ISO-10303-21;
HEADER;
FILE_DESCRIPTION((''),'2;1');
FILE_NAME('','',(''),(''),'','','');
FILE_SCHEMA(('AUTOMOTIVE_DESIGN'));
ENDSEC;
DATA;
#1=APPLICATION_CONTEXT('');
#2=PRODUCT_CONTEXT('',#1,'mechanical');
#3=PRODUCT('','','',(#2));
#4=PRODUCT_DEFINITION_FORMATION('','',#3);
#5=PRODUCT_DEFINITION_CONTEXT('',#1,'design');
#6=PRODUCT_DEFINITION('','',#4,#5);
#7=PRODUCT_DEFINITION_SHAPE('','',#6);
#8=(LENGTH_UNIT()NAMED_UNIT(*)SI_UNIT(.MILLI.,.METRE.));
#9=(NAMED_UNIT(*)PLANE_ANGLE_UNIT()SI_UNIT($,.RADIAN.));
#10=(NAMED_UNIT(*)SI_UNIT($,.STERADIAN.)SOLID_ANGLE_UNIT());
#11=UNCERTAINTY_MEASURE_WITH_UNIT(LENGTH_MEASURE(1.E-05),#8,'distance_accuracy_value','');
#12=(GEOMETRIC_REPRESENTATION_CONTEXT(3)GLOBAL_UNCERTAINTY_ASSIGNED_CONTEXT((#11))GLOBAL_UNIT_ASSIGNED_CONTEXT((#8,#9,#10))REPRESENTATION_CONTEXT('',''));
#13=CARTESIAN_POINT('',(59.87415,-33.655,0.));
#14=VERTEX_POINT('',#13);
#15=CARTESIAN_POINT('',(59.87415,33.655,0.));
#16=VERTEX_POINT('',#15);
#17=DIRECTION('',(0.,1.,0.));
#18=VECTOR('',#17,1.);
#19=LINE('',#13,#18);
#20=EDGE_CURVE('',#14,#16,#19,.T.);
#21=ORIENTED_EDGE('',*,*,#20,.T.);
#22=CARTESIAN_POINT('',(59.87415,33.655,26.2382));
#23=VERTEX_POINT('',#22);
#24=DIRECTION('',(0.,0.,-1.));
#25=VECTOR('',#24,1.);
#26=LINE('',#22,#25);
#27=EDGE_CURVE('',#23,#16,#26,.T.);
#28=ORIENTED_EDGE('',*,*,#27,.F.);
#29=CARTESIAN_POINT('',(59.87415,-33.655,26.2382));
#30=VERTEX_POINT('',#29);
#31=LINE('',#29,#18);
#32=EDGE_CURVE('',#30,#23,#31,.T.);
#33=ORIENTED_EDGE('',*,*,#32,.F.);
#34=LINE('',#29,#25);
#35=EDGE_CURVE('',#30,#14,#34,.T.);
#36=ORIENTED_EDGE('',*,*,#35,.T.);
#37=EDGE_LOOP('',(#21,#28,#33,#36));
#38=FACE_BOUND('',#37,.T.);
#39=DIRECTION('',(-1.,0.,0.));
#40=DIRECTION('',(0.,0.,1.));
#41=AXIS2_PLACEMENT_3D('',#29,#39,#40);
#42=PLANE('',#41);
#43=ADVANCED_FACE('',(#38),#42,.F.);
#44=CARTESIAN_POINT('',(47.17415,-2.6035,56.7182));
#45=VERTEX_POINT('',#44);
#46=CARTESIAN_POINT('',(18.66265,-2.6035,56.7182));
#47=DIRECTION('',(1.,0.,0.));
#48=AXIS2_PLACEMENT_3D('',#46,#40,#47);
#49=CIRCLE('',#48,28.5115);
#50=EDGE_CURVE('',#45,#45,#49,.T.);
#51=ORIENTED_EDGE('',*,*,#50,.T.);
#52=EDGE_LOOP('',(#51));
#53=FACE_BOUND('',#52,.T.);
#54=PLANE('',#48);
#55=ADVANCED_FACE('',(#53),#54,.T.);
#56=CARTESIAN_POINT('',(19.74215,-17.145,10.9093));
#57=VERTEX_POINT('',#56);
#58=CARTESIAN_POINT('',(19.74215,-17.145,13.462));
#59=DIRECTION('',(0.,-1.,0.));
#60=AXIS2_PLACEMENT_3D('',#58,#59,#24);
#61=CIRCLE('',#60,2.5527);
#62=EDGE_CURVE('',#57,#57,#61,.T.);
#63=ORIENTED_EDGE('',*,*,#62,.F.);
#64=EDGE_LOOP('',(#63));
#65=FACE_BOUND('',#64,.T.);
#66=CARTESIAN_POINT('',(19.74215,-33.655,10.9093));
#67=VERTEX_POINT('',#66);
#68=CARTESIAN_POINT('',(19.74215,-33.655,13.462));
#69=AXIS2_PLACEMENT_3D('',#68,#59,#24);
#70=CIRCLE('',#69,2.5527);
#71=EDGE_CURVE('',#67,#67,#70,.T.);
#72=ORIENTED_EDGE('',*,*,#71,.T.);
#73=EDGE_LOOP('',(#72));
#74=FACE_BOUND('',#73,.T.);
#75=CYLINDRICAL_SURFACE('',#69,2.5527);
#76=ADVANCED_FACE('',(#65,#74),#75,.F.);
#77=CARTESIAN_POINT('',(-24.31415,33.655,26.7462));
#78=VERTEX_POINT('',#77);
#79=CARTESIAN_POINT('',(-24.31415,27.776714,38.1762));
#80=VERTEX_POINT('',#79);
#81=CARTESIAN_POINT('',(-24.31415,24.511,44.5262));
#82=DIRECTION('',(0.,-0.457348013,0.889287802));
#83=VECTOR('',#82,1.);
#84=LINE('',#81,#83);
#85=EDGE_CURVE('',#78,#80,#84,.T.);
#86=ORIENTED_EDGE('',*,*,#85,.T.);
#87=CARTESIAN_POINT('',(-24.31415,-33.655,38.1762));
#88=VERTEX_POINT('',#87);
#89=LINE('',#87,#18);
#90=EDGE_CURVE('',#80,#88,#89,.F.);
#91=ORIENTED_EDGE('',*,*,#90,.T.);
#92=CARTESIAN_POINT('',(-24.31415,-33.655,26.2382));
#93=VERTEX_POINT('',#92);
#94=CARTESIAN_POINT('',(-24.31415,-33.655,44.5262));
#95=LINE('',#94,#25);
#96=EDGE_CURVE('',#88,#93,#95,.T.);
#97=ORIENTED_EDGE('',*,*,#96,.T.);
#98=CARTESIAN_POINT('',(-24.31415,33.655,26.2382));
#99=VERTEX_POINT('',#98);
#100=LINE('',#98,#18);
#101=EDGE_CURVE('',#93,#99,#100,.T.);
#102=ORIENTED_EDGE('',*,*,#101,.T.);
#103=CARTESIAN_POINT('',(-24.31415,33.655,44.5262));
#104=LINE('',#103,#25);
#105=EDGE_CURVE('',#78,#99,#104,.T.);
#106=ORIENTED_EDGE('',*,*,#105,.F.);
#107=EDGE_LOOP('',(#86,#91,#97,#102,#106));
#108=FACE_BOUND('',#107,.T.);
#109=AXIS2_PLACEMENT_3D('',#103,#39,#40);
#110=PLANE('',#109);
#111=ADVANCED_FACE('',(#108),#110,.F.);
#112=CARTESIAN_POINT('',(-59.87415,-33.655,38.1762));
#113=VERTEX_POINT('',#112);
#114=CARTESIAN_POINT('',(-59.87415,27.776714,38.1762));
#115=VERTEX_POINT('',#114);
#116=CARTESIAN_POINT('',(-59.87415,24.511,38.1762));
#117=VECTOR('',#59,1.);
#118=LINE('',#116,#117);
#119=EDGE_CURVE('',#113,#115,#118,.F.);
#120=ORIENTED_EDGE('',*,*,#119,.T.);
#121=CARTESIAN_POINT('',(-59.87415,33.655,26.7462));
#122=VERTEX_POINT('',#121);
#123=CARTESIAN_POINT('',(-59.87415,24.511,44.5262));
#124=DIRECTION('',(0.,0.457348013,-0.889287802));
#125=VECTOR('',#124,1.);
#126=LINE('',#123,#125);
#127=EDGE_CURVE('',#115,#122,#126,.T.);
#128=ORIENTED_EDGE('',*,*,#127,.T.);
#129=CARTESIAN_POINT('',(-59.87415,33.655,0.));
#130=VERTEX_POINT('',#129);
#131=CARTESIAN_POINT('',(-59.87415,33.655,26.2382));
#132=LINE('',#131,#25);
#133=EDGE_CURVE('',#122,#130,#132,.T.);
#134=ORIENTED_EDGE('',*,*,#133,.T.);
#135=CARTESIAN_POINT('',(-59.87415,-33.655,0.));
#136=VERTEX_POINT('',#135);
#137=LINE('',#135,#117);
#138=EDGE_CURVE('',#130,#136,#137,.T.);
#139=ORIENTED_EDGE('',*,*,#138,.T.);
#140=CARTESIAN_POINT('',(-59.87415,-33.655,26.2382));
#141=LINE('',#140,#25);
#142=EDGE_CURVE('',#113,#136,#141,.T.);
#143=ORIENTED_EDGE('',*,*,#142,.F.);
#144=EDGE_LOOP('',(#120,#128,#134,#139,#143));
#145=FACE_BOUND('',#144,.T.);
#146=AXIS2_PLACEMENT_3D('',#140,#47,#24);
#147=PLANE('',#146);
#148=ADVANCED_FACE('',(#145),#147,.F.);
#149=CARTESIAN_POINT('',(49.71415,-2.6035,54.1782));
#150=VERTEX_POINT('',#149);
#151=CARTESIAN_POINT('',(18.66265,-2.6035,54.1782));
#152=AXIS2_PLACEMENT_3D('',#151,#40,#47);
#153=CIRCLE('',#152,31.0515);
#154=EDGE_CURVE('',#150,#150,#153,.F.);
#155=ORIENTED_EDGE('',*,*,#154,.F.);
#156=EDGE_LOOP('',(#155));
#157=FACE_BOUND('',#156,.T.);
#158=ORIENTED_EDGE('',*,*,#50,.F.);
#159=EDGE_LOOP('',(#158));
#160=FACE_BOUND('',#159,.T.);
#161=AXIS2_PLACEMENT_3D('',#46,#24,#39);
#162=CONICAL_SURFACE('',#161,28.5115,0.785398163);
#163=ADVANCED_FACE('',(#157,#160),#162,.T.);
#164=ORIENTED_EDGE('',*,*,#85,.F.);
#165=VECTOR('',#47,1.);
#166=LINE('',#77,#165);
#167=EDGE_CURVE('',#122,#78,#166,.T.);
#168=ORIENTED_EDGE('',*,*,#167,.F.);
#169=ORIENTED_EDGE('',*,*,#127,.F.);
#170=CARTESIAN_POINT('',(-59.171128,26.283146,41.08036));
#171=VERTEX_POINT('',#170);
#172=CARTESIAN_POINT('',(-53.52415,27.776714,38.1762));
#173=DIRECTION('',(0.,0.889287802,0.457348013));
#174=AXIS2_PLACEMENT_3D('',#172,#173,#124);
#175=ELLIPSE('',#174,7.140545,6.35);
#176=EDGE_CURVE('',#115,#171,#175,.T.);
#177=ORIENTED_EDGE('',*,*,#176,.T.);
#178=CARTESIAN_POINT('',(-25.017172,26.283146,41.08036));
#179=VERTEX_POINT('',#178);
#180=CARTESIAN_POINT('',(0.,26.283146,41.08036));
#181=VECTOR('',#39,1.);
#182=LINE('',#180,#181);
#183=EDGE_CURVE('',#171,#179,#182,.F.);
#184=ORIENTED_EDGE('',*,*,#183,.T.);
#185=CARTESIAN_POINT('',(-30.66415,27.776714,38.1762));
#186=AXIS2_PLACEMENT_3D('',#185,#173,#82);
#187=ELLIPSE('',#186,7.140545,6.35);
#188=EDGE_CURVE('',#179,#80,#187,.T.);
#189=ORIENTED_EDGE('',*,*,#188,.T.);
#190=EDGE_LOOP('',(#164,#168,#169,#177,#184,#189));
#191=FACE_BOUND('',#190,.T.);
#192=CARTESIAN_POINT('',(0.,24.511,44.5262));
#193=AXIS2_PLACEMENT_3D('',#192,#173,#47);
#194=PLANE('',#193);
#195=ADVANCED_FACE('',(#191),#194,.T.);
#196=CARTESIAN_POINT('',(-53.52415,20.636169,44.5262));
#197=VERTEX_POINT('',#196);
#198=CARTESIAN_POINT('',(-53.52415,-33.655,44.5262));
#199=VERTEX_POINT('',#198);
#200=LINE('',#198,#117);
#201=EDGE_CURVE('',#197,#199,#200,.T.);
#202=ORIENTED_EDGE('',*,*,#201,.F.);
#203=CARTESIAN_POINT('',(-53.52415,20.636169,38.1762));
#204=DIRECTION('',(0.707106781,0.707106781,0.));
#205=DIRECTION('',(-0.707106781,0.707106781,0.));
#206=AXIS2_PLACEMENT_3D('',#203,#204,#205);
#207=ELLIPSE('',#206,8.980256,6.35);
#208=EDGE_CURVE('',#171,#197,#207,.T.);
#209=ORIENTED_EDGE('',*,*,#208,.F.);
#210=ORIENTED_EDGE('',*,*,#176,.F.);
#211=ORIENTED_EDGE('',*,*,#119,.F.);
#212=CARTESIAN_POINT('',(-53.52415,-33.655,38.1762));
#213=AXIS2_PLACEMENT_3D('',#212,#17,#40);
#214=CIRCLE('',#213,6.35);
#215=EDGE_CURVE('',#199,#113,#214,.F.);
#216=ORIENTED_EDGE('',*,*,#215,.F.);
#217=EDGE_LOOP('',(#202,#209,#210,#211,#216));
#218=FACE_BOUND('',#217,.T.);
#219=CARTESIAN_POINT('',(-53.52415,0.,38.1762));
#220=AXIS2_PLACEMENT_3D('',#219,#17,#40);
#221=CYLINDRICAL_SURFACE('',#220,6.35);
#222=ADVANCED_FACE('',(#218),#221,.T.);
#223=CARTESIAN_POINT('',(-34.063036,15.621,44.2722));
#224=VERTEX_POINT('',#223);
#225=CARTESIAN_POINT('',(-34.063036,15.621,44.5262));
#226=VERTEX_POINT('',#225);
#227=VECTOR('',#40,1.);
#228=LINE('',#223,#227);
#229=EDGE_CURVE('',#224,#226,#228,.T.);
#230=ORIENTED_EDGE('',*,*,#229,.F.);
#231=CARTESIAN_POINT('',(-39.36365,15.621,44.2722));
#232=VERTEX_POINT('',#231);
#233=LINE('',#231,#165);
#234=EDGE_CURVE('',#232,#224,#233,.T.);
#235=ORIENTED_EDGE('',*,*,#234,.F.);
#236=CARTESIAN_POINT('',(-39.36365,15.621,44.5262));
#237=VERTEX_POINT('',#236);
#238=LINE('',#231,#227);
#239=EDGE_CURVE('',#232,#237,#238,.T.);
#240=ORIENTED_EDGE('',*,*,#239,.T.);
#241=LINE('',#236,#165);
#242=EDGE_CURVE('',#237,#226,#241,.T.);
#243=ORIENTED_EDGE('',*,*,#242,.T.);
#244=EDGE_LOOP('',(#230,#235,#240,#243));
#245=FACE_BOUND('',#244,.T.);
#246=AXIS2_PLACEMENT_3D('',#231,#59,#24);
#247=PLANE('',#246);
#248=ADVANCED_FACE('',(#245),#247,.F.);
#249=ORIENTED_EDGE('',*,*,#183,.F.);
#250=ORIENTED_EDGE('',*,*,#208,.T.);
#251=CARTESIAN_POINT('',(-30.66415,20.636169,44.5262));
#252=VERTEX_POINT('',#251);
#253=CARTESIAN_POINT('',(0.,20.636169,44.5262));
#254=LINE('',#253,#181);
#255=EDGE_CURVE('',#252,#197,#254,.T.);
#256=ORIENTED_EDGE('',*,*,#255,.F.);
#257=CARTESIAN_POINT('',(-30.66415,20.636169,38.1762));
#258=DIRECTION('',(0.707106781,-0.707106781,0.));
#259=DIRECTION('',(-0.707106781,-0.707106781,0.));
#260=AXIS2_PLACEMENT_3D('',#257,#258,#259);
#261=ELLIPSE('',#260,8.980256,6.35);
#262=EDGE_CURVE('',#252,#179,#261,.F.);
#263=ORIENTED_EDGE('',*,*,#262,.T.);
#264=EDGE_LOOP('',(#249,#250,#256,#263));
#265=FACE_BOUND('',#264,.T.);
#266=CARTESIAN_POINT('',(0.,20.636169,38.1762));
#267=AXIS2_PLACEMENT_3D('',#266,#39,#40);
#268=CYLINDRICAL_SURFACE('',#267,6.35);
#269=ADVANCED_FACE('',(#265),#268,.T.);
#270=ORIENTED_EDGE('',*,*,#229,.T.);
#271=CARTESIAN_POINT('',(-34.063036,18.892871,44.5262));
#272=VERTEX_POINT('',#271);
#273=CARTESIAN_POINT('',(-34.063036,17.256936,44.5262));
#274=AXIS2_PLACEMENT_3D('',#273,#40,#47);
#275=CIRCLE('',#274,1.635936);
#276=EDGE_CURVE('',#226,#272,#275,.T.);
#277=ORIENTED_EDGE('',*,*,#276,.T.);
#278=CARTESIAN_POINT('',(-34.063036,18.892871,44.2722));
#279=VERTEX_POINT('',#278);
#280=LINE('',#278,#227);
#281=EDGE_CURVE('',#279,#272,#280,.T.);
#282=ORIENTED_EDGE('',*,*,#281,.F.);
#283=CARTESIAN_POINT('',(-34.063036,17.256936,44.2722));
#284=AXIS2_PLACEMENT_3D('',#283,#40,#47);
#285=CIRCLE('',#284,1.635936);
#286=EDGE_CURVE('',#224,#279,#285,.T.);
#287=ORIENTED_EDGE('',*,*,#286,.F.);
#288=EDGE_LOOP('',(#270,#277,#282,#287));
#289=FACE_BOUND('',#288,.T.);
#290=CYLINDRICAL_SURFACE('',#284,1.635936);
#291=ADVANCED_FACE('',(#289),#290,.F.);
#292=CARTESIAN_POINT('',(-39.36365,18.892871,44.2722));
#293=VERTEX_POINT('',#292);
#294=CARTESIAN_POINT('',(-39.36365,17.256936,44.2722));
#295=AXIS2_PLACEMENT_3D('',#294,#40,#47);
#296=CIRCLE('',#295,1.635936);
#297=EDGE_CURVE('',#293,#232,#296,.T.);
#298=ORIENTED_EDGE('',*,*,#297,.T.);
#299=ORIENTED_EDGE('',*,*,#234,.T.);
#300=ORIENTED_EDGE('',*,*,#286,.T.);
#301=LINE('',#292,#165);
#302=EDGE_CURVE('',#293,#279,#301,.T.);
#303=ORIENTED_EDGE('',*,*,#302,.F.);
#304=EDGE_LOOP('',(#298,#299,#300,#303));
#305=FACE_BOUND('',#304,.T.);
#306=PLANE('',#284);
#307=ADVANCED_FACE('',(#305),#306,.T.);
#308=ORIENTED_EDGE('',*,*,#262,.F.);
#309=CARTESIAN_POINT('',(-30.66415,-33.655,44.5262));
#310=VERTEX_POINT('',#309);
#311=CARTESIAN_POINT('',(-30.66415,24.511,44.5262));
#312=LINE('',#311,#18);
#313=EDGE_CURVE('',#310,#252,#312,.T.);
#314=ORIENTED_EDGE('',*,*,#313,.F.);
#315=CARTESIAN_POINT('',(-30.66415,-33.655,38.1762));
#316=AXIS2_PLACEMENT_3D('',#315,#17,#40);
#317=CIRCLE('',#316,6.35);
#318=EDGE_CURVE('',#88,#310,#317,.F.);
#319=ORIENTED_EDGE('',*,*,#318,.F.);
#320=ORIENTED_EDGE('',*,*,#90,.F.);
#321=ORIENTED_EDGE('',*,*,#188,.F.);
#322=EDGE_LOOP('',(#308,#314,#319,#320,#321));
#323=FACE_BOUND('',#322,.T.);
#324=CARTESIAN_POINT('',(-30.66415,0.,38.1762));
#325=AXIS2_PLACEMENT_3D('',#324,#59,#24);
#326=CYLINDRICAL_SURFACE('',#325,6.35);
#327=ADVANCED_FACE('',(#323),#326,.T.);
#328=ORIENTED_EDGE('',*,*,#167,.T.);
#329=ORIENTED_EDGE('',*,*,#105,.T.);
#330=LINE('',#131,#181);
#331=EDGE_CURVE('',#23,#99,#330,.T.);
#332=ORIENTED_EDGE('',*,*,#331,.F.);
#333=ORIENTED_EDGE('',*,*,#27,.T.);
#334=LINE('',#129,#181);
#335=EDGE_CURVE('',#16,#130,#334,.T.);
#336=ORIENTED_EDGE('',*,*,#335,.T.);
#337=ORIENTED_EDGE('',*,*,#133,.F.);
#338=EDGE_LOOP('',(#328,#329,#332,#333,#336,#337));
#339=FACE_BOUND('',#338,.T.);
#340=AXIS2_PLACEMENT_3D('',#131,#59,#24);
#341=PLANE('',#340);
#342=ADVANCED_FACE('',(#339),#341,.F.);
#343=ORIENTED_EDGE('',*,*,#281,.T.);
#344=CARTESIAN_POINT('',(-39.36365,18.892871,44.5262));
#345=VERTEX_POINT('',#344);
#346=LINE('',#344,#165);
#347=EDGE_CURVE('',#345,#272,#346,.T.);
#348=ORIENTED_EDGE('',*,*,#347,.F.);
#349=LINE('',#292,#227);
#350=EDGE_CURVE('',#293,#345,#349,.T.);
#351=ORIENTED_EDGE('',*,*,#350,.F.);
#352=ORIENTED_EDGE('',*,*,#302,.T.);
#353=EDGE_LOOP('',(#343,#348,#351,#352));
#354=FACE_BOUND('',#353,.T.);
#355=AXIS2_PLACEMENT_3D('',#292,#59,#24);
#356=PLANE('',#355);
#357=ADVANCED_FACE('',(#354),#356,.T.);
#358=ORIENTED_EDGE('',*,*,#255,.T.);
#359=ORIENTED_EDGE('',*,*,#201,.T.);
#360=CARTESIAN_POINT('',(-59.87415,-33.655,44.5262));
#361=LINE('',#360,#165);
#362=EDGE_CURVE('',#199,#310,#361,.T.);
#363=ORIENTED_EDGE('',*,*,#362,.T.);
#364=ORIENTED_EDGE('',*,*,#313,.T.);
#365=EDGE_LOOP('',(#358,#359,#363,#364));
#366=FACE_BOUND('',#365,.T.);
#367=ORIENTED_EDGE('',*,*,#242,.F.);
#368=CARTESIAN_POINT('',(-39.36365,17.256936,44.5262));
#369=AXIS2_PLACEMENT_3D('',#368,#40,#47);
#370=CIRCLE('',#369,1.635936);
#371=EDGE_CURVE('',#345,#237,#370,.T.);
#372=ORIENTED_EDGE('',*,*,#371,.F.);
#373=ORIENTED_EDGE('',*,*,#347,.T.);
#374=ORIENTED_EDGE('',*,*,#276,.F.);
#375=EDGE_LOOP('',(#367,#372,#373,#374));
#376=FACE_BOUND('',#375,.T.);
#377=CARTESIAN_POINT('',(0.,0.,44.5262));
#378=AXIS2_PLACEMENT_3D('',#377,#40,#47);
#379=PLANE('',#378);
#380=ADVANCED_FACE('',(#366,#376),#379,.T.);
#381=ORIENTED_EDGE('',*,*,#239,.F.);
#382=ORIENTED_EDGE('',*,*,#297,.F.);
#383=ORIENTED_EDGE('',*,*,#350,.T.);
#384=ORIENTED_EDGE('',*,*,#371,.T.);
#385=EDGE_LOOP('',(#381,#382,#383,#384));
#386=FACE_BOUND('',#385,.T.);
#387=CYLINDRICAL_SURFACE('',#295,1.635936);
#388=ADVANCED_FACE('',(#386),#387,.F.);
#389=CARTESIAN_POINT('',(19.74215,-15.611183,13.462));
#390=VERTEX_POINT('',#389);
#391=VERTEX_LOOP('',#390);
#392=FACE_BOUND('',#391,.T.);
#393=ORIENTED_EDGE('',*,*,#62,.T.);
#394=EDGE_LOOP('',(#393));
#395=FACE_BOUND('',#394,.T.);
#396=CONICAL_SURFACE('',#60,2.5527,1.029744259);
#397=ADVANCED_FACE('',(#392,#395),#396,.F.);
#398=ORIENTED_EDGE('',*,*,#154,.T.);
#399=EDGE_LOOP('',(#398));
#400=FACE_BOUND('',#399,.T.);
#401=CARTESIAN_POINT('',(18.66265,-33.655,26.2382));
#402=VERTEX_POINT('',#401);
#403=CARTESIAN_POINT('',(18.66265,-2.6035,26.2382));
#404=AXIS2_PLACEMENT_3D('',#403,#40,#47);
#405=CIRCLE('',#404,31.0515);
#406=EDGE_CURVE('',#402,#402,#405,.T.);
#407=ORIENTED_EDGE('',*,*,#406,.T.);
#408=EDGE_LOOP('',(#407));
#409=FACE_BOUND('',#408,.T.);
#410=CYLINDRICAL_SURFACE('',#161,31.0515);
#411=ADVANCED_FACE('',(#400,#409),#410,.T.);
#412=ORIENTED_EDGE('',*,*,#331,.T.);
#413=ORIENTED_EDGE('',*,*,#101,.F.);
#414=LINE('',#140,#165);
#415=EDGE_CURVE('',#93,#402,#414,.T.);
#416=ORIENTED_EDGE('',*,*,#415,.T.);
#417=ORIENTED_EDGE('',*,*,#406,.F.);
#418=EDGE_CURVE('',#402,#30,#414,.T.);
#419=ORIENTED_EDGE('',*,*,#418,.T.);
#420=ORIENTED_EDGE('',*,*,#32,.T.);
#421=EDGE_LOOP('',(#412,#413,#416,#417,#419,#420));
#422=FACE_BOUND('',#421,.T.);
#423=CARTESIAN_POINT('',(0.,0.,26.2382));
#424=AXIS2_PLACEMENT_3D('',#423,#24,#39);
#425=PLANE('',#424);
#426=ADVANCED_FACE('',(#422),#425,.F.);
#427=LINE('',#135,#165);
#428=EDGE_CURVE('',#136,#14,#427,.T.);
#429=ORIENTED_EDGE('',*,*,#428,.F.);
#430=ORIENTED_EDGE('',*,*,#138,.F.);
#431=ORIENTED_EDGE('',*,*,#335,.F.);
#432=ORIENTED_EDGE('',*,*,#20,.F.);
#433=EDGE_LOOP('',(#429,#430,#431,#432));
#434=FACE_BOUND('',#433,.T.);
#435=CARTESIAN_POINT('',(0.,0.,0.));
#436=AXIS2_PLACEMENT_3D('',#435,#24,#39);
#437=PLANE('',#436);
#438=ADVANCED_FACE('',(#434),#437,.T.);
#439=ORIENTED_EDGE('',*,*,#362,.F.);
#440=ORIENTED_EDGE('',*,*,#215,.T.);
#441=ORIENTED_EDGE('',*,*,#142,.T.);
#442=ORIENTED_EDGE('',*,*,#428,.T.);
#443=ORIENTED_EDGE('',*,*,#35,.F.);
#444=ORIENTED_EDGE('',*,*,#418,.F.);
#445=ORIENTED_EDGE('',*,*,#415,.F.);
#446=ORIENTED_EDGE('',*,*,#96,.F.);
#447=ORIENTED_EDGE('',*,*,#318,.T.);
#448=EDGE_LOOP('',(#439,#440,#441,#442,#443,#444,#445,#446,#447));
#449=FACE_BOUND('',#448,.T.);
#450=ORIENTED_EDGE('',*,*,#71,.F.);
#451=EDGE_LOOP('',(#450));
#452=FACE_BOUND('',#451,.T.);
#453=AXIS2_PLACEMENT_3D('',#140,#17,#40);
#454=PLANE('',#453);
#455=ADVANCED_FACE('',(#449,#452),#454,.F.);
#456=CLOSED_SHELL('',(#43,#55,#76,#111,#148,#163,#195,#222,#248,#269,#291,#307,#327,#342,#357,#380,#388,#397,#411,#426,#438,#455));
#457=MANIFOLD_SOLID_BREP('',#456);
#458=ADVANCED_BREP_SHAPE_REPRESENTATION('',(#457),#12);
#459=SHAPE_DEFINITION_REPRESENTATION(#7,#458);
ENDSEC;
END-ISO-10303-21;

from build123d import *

# Parameters (mm, degrees)
SKETCH1_W                   = 119.7483
SKETCH1_H                   = 67.31
BOSS_EXTRUDE1_DEPTH         = 26.2382
SKETCH2_R                   = 31.0515
BOSS_EXTRUDE2_DEPTH         = 30.48
CHAMFER1_SIZE               = 2.54
SKETCH3_W                   = 35.56
SKETCH3_H                   = 67.31
BOSS_EXTRUDE3_DEPTH         = 18.288
CHAMFER2_SIZE               = 17.78
CHAMFER2_SIZE2              = 9.144
FILLET1_R                   = 6.35
CUT_EXTRUDE1_DEPTH          = 0.254
F_1_4_20_TAPPED_HOLE1_D     = 5.1054
F_1_4_20_TAPPED_HOLE1_DEPTH = 16.51
F_1_4_20_TAPPED_HOLE1_TIP   = 1.533816902


with BuildPart() as part:
    # Sketch1 → Boss-Extrude1 (new body)
    with BuildSketch(Plane.XY):
        Rectangle(SKETCH1_W, SKETCH1_H)
    extrude(amount=BOSS_EXTRUDE1_DEPTH)

    # Sketch2 → Boss-Extrude2 (add)
    with BuildSketch(Plane.XY.offset(26.2382)):
        with Locations(Location((18.66265, -2.6035, 0), (0, 0, 270))):
            Circle(SKETCH2_R)
    extrude(amount=BOSS_EXTRUDE2_DEPTH)

    # Chamfer1
    chamfer1_edges = [part.edges().sort_by_distance(p)[0] for p in [
        (18.66265, 28.448, 56.7182),
    ]]
    chamfer(chamfer1_edges, length=CHAMFER1_SIZE)

    # Sketch3 → Boss-Extrude3 (add)
    with BuildSketch(Plane.XY.offset(26.2382)):
        with Locations((-42.09415, 0)):
            Rectangle(SKETCH3_W, SKETCH3_H)
    extrude(amount=BOSS_EXTRUDE3_DEPTH)

    # Chamfer2
    chamfer2_edges = [part.edges().sort_by_distance(p)[0] for p in [
        (-42.09415, 33.655, 44.5262),
    ]]
    chamfer2_side = [part.faces().sort_by_distance(p)[0] for p in [
        (-7.218498902, 33.655, 16.936879024),
    ]]
    chamfer(chamfer2_edges, length=CHAMFER2_SIZE, length2=CHAMFER2_SIZE2, reference=chamfer2_side[0])

    # Fillet1
    fillet1_edges = [part.edges().sort_by_distance(p)[0] for p in [
        (-24.31415, -4.572, 44.5262),
        (-59.87415, -4.572, 44.5262),
        (-42.09415, 24.511, 44.5262),
    ]]
    fillet(fillet1_edges, radius=FILLET1_R)

    # Sketch4 → Cut-Extrude1 (cut)
    with BuildSketch(Plane.XY.offset(44.5262)):
        with BuildLine():
            Line((-39.36365, 18.892871189), (-34.063036375, 18.892871189))
            ThreePointArc((-34.063036375, 18.892871189), (-32.427100781, 17.256935594), (-34.063036375, 15.621))
            Line((-34.063036375, 15.621), (-39.36365, 15.621))
            ThreePointArc((-39.36365, 15.621), (-40.999585594, 17.256935594), (-39.36365, 18.892871189))
        make_face()
    extrude(amount=-CUT_EXTRUDE1_DEPTH, mode=Mode.SUBTRACT)

    # 1/4-20 Tapped Hole1
    with Locations(Plane(origin=(0, -33.655, 0), x_dir=(-1, 0, 0), z_dir=(0, -1, 0))):
        with Locations((-19.74215, -13.462)):
            Hole(F_1_4_20_TAPPED_HOLE1_D / 2, depth=F_1_4_20_TAPPED_HOLE1_DEPTH)
            with Locations((0, 0, -(F_1_4_20_TAPPED_HOLE1_DEPTH + F_1_4_20_TAPPED_HOLE1_TIP / 2))):  # 118° drill point
                Cone(0, F_1_4_20_TAPPED_HOLE1_D / 2, F_1_4_20_TAPPED_HOLE1_TIP, mode=Mode.SUBTRACT)


solid = part.part
